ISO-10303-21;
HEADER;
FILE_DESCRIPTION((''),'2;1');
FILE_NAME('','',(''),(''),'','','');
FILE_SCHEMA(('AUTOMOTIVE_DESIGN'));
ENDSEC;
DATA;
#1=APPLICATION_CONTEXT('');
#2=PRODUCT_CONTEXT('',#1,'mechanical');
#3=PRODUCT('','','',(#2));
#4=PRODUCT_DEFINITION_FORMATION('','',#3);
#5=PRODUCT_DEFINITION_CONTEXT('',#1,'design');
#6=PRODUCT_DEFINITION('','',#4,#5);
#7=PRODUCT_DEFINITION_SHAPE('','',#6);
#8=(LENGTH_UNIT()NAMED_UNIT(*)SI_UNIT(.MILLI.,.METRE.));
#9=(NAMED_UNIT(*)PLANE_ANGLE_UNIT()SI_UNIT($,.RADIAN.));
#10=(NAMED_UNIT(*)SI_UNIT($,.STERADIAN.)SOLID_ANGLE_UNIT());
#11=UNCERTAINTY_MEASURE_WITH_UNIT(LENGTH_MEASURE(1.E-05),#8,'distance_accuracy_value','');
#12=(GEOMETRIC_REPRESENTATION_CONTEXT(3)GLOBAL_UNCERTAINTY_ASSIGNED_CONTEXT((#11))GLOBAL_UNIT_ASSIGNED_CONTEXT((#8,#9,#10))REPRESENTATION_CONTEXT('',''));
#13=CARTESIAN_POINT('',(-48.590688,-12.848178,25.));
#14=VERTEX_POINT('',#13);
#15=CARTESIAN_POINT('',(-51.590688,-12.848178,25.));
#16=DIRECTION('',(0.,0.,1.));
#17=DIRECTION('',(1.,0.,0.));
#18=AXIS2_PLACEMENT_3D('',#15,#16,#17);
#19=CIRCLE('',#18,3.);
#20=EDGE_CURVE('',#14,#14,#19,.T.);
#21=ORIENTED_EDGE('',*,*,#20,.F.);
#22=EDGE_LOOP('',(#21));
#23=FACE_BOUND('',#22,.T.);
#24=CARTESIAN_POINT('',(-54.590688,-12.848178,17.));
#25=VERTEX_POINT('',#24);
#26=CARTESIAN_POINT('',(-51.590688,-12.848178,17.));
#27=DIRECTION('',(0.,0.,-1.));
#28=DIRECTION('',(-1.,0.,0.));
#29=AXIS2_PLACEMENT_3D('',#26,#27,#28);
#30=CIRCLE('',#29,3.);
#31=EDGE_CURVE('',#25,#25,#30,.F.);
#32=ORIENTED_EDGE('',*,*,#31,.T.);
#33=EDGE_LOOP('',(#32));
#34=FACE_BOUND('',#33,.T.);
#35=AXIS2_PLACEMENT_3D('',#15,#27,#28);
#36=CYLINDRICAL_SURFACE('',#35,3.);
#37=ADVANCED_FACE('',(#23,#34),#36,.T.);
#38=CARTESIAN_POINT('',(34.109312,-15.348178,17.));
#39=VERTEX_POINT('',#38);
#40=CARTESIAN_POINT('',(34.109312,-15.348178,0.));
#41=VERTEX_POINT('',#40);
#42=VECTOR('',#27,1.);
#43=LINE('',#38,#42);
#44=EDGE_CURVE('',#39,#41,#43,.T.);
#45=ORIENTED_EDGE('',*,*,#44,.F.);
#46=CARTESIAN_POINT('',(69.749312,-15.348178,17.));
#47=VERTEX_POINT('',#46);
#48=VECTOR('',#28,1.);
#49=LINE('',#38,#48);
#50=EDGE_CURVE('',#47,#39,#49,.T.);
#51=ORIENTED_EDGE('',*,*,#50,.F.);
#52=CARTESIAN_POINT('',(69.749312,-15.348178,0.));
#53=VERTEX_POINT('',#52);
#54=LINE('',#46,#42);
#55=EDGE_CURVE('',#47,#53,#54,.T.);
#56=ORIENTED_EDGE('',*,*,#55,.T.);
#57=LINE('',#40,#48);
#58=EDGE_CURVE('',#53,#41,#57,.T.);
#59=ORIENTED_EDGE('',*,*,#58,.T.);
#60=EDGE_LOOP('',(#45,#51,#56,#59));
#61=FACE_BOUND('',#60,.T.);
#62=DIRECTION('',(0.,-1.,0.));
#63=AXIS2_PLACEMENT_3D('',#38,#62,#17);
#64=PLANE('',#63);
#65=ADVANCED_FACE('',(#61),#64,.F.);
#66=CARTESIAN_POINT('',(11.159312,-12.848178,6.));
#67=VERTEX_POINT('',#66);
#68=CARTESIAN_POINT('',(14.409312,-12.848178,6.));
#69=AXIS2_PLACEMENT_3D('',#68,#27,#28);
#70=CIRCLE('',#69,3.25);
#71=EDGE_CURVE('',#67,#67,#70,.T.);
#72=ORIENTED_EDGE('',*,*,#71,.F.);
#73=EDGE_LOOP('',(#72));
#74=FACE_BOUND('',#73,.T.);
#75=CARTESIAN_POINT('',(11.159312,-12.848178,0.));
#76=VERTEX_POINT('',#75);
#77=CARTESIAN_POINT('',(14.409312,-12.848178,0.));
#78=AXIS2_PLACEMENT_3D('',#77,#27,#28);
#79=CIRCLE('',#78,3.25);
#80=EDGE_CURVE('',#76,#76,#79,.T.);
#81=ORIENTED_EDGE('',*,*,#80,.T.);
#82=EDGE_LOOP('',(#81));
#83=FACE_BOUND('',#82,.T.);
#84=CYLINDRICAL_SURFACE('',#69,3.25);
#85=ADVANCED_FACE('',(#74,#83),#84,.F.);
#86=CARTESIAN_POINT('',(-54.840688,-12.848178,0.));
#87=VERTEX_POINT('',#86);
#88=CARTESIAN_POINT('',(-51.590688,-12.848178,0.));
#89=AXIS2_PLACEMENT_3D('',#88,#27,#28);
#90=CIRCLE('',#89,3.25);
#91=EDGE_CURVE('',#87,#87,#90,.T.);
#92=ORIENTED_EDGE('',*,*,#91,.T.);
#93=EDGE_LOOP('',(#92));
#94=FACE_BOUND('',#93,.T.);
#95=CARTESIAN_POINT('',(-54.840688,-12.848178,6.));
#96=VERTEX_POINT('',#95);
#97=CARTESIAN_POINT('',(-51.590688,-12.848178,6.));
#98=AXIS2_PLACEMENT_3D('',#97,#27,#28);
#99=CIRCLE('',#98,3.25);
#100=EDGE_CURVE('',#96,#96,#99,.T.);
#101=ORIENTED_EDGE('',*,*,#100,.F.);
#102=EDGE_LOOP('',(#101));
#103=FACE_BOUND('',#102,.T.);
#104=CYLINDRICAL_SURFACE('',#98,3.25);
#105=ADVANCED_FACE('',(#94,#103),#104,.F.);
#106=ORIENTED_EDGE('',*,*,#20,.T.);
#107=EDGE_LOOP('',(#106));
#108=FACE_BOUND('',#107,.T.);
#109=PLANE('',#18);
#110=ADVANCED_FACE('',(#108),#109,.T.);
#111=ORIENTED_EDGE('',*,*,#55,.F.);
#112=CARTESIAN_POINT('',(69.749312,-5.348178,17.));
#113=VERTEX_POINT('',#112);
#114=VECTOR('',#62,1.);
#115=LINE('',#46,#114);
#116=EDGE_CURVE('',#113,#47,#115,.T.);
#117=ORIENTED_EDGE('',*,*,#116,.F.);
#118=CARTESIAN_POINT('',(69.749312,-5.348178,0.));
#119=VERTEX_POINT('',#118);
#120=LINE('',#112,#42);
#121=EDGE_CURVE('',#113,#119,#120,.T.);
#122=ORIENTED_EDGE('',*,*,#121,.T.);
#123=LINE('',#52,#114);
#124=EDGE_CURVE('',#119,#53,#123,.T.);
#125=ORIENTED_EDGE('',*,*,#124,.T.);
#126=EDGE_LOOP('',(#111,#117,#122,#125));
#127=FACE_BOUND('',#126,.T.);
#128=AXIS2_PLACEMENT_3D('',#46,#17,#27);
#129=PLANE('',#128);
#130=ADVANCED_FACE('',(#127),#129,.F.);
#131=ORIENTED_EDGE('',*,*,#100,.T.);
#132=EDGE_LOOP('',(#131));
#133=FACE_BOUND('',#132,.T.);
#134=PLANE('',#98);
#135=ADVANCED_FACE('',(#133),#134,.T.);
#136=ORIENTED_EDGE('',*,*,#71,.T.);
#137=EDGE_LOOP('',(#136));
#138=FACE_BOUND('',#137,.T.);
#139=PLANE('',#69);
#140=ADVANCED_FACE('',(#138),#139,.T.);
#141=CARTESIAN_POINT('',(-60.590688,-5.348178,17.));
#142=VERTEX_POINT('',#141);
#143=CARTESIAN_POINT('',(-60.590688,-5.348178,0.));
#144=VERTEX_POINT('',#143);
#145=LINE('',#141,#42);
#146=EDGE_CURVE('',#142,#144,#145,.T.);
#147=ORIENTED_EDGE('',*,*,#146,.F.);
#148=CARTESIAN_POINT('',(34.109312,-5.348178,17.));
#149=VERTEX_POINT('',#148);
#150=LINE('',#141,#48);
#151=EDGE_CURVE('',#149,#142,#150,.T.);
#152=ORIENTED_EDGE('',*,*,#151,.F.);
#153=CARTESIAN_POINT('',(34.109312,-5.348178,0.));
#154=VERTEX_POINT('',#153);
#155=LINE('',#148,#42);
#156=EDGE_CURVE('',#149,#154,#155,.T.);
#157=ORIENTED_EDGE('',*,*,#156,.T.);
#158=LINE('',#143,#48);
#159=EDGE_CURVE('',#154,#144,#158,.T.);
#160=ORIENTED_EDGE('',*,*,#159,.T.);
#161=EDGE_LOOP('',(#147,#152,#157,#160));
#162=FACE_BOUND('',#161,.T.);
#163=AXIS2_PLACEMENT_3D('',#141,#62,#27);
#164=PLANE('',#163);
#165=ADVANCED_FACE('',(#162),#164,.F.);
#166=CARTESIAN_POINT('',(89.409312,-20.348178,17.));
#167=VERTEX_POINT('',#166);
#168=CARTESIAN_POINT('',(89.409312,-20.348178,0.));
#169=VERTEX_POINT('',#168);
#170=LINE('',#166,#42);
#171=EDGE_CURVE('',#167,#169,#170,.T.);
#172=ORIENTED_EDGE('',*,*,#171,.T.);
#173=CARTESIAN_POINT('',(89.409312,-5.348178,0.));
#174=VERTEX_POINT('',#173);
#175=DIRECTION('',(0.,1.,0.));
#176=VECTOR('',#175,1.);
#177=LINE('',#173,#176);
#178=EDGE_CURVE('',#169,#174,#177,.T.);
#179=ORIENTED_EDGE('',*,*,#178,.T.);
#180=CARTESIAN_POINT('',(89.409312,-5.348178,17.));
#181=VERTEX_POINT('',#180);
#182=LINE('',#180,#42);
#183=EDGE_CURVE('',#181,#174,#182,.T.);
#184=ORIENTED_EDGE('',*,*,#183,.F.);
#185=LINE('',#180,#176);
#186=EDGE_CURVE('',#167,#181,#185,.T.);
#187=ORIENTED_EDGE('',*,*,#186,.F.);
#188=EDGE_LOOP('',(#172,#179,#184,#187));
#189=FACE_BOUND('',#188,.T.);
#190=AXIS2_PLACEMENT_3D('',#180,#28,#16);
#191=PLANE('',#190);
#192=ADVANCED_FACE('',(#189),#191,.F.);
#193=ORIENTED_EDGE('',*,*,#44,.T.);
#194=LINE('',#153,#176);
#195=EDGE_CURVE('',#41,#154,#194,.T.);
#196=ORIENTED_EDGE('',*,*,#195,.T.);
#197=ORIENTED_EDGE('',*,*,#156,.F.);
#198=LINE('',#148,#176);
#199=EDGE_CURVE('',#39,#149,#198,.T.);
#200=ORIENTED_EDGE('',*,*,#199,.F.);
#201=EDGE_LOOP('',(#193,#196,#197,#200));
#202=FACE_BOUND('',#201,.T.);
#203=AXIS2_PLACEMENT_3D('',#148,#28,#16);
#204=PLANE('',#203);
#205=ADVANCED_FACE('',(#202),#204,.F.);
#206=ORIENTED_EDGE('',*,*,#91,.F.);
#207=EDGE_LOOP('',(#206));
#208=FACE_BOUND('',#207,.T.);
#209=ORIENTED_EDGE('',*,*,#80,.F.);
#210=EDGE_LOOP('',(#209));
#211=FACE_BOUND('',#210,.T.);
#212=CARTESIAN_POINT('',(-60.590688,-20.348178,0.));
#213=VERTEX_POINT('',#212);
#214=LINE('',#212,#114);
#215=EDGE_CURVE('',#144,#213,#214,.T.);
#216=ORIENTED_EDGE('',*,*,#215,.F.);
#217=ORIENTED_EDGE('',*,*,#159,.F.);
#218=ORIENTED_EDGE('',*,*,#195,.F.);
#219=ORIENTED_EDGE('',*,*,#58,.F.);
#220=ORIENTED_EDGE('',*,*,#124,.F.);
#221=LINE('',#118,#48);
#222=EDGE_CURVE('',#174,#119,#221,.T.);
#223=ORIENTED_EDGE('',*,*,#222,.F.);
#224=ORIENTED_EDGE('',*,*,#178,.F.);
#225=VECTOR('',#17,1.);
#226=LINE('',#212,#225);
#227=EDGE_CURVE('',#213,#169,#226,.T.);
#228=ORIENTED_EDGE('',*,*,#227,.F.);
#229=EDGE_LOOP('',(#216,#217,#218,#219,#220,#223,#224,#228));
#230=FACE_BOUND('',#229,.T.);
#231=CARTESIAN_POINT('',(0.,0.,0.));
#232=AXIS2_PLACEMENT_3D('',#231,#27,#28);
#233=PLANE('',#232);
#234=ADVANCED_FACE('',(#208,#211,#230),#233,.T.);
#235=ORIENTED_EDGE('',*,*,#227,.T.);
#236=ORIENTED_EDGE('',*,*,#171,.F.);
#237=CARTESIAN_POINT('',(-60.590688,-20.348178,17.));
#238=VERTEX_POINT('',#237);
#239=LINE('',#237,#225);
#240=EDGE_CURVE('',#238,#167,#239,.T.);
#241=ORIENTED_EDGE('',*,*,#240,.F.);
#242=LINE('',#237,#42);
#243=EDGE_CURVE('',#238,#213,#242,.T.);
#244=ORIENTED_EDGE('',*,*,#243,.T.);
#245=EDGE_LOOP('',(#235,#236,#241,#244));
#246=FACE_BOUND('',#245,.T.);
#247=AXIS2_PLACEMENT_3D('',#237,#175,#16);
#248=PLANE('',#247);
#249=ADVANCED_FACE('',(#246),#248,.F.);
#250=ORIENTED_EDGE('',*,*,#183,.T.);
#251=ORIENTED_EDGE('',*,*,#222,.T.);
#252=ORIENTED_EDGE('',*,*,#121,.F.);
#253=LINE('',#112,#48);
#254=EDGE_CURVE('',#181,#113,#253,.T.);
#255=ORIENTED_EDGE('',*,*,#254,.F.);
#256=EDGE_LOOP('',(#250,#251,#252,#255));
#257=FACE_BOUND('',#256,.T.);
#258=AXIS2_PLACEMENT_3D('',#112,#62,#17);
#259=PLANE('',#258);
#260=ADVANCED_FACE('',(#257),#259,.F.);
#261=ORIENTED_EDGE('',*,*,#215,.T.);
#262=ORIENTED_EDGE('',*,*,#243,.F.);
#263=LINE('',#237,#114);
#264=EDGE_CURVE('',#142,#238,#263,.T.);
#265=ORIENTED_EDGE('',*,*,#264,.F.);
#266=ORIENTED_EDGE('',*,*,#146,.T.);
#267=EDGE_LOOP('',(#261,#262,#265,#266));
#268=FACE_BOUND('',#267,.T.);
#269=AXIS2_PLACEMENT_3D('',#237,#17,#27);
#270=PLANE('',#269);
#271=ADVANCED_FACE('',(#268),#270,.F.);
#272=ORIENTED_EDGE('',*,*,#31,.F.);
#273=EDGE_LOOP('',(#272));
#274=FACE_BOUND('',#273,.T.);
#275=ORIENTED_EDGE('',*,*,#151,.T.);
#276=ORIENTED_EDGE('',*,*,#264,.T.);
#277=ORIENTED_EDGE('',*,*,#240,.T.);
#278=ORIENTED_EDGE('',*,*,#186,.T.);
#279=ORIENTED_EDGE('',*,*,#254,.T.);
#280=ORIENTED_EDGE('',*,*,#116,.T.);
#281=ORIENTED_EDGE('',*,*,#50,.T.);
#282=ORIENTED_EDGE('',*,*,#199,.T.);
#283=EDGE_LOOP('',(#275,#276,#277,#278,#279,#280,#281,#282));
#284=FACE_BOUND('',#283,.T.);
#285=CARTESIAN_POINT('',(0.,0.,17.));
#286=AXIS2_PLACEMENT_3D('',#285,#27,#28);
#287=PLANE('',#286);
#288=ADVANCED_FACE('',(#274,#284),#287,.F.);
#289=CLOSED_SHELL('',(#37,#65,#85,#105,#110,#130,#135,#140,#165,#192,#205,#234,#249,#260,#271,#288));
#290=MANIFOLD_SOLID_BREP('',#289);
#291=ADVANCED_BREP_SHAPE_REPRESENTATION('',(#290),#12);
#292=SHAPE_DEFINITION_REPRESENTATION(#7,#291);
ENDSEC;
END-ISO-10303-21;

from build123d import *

# Parameters (mm, degrees)
BOSS_EXTRUDE1_DEPTH = 17
SKETCH3_R           = 3.25
CUT_EXTRUDE1_DEPTH  = 6
SKETCH4_R           = 3
BOSS_EXTRUDE2_DEPTH = 8


with BuildPart() as part:
    # Sketch2 → Boss-Extrude1 (new body)
    with BuildSketch(Plane.XY):
        Polygon((-60.590688259, -20.348178138), (89.409311741, -20.348178138), (89.409311741, -5.348178138), (69.749311741, -5.348178138), (69.749311741, -15.348178138), (34.109311741, -15.348178138), (34.109311741, -5.348178138), (-60.590688259, -5.348178138), align=None)
    extrude(amount=BOSS_EXTRUDE1_DEPTH)

    # Sketch3 → Cut-Extrude1 (cut)
    with BuildSketch(Plane(origin=(0, 0, 0), x_dir=(-1, 0, 0), z_dir=(0, 0, -1))):
        with Locations((-14.409311741, -12.848178138)):
            Circle(SKETCH3_R)
        with Locations((51.590688259, -12.848178138)):
            Circle(SKETCH3_R)
    extrude(amount=-CUT_EXTRUDE1_DEPTH, mode=Mode.SUBTRACT)

    # Sketch4 → Boss-Extrude2 (add)
    with BuildSketch(Plane.XY.offset(17)):
        with Locations((-51.590688259, -12.848178138)):
            Circle(SKETCH4_R)
    extrude(amount=BOSS_EXTRUDE2_DEPTH)


solid = part.part
